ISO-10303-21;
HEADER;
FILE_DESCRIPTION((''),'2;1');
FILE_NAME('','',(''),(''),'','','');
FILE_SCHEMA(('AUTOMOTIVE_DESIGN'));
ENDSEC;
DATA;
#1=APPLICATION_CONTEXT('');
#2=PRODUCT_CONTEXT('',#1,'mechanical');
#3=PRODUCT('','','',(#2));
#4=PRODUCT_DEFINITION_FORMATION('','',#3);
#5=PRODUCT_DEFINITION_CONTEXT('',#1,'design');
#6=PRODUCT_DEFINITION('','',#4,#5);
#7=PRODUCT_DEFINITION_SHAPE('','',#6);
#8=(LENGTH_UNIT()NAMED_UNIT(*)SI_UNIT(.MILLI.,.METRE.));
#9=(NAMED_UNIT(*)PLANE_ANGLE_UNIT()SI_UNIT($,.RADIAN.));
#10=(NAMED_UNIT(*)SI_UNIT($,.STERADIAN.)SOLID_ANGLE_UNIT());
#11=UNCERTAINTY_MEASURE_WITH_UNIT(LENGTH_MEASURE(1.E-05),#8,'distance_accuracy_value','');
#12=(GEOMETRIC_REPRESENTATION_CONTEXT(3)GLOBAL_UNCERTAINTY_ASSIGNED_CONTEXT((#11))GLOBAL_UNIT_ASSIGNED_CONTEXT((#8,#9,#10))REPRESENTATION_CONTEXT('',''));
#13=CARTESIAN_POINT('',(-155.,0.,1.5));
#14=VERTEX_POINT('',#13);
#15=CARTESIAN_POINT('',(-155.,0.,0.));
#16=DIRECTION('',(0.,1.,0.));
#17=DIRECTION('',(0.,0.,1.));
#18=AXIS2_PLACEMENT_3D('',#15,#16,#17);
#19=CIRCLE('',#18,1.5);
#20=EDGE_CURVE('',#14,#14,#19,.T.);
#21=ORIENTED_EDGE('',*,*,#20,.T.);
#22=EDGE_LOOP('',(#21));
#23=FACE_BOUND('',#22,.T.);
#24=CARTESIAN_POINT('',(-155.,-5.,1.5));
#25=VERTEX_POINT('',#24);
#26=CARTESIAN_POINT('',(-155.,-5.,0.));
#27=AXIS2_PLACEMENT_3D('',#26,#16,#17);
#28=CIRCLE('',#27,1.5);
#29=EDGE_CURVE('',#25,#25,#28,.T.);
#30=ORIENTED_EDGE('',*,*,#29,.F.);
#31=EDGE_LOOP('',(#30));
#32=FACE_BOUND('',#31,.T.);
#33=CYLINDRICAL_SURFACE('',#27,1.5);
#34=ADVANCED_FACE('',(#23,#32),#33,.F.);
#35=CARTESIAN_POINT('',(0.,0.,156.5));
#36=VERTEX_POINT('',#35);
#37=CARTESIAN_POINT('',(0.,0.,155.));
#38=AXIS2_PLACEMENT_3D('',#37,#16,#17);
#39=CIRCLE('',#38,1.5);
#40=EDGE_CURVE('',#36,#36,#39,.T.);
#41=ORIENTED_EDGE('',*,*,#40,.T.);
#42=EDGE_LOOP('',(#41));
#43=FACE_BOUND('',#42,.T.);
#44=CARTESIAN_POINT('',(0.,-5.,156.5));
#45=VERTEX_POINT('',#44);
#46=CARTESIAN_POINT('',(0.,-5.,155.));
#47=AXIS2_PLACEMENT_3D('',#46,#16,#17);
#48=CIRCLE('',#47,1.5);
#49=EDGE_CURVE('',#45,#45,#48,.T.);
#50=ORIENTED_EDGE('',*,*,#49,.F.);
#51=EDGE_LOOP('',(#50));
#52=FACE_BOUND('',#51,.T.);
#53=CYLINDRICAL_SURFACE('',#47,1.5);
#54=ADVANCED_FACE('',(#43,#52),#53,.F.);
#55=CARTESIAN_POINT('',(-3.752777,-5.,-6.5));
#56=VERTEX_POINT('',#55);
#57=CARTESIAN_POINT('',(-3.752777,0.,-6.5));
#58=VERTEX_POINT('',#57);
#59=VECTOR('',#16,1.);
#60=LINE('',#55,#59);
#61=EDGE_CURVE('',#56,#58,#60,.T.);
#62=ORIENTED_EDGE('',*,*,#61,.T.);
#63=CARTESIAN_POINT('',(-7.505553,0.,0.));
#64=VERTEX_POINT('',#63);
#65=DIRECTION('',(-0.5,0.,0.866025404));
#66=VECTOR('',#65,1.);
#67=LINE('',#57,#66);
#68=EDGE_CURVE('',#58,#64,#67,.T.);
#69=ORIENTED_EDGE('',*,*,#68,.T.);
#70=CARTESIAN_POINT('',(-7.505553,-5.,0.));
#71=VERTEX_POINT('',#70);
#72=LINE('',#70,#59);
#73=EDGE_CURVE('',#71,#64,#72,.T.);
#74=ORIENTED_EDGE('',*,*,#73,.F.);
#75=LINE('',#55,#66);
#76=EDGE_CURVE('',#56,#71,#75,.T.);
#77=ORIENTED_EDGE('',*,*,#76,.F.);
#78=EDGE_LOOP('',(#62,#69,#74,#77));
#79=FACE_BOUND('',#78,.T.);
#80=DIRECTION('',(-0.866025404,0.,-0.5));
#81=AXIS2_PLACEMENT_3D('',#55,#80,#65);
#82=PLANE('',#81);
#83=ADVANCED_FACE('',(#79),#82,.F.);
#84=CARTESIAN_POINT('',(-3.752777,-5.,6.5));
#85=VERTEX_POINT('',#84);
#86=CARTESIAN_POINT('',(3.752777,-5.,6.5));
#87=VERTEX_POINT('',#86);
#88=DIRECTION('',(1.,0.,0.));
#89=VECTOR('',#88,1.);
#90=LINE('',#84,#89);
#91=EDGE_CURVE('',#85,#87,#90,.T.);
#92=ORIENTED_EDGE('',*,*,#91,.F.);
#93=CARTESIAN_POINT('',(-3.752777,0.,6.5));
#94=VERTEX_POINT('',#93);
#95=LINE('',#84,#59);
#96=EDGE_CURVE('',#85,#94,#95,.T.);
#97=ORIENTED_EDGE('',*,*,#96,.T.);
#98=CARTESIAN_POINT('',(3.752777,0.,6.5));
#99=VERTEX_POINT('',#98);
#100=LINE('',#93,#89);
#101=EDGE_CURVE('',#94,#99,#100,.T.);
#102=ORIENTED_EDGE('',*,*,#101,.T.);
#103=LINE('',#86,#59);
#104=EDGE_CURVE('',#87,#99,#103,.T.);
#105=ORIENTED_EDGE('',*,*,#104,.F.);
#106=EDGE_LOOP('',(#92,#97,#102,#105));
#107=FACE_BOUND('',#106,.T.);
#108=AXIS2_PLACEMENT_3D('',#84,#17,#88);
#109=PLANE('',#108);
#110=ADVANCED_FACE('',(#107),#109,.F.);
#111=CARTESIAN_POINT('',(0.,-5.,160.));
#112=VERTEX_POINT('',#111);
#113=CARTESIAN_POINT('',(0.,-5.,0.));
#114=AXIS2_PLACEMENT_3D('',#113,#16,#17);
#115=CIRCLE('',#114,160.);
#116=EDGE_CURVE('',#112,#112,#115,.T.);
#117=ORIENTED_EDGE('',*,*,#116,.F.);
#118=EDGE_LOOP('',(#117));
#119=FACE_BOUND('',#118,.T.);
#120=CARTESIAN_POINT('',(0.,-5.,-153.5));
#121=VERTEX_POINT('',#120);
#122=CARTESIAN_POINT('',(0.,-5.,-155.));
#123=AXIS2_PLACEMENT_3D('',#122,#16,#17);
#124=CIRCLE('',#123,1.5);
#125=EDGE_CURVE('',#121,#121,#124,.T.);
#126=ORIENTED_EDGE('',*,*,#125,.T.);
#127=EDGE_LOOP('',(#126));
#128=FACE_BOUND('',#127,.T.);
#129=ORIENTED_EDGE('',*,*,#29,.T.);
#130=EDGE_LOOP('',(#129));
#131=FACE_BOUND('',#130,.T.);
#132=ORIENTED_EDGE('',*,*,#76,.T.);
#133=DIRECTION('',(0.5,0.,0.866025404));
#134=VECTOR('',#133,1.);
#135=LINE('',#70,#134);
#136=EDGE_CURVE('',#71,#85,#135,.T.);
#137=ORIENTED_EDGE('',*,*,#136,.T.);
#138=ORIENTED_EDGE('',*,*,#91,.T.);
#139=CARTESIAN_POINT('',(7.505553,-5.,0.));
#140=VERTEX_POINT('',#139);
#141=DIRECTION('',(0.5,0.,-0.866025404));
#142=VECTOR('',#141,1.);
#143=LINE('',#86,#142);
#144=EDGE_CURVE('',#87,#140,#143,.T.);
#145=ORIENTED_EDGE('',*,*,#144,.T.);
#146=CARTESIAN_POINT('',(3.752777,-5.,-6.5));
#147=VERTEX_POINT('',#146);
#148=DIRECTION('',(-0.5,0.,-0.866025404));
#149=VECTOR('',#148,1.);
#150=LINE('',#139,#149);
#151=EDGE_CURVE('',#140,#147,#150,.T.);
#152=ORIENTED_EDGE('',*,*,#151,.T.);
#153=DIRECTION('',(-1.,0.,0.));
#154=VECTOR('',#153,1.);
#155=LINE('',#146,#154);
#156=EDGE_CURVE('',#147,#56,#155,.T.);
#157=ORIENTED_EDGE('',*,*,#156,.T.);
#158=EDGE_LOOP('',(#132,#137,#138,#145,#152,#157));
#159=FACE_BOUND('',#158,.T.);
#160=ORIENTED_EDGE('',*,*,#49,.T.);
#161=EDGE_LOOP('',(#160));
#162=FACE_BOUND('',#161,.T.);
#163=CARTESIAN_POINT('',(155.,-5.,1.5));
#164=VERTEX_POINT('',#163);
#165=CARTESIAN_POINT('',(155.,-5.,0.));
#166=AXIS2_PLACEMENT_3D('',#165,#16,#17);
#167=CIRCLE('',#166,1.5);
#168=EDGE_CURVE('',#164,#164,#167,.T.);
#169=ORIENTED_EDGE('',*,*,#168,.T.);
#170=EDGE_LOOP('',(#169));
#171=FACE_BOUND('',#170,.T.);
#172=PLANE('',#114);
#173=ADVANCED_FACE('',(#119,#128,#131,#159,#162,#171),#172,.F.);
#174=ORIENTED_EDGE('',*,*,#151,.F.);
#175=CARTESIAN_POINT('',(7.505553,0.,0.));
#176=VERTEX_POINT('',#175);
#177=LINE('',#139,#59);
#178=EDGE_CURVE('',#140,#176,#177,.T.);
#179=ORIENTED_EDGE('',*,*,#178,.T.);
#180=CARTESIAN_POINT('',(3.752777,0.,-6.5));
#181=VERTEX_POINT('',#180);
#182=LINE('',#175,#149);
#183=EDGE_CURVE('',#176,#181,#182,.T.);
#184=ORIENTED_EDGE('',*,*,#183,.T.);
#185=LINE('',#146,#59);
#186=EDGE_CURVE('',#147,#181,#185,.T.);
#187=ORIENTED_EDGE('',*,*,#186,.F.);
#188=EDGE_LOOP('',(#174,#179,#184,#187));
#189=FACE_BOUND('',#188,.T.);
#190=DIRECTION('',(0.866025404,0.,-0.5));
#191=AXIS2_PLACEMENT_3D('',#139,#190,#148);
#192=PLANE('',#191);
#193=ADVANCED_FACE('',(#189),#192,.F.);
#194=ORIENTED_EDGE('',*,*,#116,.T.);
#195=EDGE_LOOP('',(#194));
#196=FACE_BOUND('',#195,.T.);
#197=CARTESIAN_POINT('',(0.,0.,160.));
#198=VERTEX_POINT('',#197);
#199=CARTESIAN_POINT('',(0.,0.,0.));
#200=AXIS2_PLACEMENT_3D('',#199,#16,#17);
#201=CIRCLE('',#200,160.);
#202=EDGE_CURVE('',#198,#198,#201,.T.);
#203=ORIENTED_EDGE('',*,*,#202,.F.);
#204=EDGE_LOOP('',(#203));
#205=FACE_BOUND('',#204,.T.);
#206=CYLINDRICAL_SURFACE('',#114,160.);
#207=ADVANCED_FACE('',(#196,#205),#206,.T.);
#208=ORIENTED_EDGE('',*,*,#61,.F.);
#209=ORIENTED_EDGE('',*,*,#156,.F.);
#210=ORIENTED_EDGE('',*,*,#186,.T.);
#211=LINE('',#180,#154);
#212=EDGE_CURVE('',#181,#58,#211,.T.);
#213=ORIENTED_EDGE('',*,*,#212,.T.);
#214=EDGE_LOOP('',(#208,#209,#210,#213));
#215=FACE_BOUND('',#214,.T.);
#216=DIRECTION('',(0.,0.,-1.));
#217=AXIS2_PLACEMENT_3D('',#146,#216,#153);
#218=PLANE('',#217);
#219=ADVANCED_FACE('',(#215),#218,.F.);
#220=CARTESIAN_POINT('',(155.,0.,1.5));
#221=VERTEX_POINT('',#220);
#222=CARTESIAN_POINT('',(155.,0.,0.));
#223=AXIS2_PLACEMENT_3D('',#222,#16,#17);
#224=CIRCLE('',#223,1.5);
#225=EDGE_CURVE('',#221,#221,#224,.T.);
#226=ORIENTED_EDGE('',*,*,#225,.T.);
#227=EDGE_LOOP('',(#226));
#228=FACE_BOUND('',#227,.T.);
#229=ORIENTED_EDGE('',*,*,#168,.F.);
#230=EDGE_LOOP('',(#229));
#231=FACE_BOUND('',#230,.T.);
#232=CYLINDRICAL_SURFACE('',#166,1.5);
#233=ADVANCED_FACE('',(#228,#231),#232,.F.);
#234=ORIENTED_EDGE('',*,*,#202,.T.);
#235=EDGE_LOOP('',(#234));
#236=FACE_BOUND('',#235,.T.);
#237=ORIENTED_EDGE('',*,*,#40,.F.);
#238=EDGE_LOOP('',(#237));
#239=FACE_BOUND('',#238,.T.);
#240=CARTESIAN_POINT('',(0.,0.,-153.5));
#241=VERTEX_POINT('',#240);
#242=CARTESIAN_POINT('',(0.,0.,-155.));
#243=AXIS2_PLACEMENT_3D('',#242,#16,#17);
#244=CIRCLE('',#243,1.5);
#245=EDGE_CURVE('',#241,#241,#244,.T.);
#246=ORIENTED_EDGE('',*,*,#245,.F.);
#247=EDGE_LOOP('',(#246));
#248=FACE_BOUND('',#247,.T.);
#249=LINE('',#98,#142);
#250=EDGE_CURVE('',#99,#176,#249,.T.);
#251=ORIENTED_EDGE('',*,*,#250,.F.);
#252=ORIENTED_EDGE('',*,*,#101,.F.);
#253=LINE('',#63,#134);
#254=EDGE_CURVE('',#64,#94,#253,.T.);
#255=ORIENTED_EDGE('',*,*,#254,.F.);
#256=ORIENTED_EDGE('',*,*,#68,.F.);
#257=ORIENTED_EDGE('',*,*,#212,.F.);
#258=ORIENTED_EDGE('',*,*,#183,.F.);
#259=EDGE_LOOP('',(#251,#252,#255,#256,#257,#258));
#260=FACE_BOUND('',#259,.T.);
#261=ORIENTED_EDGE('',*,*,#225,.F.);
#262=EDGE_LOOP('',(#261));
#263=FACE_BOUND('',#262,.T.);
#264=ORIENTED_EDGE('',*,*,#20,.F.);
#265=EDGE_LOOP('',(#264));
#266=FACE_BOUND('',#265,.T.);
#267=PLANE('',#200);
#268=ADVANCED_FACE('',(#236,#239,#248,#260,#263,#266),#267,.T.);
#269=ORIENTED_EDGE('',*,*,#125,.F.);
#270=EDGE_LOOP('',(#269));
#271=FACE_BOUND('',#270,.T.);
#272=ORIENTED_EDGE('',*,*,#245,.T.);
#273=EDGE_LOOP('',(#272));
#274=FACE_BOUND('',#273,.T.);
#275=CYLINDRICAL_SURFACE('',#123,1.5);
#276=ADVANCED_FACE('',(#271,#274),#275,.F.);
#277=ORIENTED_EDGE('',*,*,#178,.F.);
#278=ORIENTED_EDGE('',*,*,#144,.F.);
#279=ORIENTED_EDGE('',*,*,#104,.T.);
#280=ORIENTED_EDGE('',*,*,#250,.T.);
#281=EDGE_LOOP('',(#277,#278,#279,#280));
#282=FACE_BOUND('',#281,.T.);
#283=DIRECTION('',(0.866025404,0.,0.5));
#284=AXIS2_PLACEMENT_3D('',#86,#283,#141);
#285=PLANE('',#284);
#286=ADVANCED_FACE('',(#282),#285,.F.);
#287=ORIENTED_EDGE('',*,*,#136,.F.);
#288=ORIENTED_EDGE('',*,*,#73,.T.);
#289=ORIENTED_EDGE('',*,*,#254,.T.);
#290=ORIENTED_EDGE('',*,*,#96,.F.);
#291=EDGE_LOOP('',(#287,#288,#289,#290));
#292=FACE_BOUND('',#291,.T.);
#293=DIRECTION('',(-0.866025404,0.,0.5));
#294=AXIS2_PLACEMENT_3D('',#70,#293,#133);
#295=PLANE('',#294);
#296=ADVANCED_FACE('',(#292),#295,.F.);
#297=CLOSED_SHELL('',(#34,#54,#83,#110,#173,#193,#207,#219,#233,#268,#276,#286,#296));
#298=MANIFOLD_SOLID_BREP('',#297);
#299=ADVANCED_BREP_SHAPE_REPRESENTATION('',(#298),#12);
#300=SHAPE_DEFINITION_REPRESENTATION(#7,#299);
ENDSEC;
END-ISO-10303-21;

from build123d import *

# Parameters (mm, degrees)
SKETCH1_R           = 160
SKETCH1_R_2         = 1.5
BOSS_EXTRUDE1_DEPTH = 5


with BuildPart() as part:
    # Sketch1 → Boss-Extrude1 (new body)
    with BuildSketch(Plane(origin=(0, 0, 0), x_dir=(1, 0, 0), z_dir=(0, 1, 0))):
        with Locations(Location((0, 0, 0), (0, 0, 270))):
            Circle(SKETCH1_R)
        with Locations(Location((155, 0, 0), (0, 0, 270))):
            Circle(SKETCH1_R_2, mode=Mode.SUBTRACT)
        with Locations(Location((0, -155, 0), (0, 0, 270))):
            Circle(SKETCH1_R_2, mode=Mode.SUBTRACT)
        with Locations(Location((-155, 0, 0), (0, 0, 270))):
            Circle(SKETCH1_R_2, mode=Mode.SUBTRACT)
        with Locations(Location((0, 155, 0), (0, 0, 270))):
            Circle(SKETCH1_R_2, mode=Mode.SUBTRACT)
        Polygon((7.505553499, 0), (3.75277675, 6.5), (-3.75277675, 6.5), (-7.505553499, 0), (-3.75277675, -6.5), (3.75277675, -6.5), align=None, mode=Mode.SUBTRACT)
    extrude(amount=-BOSS_EXTRUDE1_DEPTH)


solid = part.part
